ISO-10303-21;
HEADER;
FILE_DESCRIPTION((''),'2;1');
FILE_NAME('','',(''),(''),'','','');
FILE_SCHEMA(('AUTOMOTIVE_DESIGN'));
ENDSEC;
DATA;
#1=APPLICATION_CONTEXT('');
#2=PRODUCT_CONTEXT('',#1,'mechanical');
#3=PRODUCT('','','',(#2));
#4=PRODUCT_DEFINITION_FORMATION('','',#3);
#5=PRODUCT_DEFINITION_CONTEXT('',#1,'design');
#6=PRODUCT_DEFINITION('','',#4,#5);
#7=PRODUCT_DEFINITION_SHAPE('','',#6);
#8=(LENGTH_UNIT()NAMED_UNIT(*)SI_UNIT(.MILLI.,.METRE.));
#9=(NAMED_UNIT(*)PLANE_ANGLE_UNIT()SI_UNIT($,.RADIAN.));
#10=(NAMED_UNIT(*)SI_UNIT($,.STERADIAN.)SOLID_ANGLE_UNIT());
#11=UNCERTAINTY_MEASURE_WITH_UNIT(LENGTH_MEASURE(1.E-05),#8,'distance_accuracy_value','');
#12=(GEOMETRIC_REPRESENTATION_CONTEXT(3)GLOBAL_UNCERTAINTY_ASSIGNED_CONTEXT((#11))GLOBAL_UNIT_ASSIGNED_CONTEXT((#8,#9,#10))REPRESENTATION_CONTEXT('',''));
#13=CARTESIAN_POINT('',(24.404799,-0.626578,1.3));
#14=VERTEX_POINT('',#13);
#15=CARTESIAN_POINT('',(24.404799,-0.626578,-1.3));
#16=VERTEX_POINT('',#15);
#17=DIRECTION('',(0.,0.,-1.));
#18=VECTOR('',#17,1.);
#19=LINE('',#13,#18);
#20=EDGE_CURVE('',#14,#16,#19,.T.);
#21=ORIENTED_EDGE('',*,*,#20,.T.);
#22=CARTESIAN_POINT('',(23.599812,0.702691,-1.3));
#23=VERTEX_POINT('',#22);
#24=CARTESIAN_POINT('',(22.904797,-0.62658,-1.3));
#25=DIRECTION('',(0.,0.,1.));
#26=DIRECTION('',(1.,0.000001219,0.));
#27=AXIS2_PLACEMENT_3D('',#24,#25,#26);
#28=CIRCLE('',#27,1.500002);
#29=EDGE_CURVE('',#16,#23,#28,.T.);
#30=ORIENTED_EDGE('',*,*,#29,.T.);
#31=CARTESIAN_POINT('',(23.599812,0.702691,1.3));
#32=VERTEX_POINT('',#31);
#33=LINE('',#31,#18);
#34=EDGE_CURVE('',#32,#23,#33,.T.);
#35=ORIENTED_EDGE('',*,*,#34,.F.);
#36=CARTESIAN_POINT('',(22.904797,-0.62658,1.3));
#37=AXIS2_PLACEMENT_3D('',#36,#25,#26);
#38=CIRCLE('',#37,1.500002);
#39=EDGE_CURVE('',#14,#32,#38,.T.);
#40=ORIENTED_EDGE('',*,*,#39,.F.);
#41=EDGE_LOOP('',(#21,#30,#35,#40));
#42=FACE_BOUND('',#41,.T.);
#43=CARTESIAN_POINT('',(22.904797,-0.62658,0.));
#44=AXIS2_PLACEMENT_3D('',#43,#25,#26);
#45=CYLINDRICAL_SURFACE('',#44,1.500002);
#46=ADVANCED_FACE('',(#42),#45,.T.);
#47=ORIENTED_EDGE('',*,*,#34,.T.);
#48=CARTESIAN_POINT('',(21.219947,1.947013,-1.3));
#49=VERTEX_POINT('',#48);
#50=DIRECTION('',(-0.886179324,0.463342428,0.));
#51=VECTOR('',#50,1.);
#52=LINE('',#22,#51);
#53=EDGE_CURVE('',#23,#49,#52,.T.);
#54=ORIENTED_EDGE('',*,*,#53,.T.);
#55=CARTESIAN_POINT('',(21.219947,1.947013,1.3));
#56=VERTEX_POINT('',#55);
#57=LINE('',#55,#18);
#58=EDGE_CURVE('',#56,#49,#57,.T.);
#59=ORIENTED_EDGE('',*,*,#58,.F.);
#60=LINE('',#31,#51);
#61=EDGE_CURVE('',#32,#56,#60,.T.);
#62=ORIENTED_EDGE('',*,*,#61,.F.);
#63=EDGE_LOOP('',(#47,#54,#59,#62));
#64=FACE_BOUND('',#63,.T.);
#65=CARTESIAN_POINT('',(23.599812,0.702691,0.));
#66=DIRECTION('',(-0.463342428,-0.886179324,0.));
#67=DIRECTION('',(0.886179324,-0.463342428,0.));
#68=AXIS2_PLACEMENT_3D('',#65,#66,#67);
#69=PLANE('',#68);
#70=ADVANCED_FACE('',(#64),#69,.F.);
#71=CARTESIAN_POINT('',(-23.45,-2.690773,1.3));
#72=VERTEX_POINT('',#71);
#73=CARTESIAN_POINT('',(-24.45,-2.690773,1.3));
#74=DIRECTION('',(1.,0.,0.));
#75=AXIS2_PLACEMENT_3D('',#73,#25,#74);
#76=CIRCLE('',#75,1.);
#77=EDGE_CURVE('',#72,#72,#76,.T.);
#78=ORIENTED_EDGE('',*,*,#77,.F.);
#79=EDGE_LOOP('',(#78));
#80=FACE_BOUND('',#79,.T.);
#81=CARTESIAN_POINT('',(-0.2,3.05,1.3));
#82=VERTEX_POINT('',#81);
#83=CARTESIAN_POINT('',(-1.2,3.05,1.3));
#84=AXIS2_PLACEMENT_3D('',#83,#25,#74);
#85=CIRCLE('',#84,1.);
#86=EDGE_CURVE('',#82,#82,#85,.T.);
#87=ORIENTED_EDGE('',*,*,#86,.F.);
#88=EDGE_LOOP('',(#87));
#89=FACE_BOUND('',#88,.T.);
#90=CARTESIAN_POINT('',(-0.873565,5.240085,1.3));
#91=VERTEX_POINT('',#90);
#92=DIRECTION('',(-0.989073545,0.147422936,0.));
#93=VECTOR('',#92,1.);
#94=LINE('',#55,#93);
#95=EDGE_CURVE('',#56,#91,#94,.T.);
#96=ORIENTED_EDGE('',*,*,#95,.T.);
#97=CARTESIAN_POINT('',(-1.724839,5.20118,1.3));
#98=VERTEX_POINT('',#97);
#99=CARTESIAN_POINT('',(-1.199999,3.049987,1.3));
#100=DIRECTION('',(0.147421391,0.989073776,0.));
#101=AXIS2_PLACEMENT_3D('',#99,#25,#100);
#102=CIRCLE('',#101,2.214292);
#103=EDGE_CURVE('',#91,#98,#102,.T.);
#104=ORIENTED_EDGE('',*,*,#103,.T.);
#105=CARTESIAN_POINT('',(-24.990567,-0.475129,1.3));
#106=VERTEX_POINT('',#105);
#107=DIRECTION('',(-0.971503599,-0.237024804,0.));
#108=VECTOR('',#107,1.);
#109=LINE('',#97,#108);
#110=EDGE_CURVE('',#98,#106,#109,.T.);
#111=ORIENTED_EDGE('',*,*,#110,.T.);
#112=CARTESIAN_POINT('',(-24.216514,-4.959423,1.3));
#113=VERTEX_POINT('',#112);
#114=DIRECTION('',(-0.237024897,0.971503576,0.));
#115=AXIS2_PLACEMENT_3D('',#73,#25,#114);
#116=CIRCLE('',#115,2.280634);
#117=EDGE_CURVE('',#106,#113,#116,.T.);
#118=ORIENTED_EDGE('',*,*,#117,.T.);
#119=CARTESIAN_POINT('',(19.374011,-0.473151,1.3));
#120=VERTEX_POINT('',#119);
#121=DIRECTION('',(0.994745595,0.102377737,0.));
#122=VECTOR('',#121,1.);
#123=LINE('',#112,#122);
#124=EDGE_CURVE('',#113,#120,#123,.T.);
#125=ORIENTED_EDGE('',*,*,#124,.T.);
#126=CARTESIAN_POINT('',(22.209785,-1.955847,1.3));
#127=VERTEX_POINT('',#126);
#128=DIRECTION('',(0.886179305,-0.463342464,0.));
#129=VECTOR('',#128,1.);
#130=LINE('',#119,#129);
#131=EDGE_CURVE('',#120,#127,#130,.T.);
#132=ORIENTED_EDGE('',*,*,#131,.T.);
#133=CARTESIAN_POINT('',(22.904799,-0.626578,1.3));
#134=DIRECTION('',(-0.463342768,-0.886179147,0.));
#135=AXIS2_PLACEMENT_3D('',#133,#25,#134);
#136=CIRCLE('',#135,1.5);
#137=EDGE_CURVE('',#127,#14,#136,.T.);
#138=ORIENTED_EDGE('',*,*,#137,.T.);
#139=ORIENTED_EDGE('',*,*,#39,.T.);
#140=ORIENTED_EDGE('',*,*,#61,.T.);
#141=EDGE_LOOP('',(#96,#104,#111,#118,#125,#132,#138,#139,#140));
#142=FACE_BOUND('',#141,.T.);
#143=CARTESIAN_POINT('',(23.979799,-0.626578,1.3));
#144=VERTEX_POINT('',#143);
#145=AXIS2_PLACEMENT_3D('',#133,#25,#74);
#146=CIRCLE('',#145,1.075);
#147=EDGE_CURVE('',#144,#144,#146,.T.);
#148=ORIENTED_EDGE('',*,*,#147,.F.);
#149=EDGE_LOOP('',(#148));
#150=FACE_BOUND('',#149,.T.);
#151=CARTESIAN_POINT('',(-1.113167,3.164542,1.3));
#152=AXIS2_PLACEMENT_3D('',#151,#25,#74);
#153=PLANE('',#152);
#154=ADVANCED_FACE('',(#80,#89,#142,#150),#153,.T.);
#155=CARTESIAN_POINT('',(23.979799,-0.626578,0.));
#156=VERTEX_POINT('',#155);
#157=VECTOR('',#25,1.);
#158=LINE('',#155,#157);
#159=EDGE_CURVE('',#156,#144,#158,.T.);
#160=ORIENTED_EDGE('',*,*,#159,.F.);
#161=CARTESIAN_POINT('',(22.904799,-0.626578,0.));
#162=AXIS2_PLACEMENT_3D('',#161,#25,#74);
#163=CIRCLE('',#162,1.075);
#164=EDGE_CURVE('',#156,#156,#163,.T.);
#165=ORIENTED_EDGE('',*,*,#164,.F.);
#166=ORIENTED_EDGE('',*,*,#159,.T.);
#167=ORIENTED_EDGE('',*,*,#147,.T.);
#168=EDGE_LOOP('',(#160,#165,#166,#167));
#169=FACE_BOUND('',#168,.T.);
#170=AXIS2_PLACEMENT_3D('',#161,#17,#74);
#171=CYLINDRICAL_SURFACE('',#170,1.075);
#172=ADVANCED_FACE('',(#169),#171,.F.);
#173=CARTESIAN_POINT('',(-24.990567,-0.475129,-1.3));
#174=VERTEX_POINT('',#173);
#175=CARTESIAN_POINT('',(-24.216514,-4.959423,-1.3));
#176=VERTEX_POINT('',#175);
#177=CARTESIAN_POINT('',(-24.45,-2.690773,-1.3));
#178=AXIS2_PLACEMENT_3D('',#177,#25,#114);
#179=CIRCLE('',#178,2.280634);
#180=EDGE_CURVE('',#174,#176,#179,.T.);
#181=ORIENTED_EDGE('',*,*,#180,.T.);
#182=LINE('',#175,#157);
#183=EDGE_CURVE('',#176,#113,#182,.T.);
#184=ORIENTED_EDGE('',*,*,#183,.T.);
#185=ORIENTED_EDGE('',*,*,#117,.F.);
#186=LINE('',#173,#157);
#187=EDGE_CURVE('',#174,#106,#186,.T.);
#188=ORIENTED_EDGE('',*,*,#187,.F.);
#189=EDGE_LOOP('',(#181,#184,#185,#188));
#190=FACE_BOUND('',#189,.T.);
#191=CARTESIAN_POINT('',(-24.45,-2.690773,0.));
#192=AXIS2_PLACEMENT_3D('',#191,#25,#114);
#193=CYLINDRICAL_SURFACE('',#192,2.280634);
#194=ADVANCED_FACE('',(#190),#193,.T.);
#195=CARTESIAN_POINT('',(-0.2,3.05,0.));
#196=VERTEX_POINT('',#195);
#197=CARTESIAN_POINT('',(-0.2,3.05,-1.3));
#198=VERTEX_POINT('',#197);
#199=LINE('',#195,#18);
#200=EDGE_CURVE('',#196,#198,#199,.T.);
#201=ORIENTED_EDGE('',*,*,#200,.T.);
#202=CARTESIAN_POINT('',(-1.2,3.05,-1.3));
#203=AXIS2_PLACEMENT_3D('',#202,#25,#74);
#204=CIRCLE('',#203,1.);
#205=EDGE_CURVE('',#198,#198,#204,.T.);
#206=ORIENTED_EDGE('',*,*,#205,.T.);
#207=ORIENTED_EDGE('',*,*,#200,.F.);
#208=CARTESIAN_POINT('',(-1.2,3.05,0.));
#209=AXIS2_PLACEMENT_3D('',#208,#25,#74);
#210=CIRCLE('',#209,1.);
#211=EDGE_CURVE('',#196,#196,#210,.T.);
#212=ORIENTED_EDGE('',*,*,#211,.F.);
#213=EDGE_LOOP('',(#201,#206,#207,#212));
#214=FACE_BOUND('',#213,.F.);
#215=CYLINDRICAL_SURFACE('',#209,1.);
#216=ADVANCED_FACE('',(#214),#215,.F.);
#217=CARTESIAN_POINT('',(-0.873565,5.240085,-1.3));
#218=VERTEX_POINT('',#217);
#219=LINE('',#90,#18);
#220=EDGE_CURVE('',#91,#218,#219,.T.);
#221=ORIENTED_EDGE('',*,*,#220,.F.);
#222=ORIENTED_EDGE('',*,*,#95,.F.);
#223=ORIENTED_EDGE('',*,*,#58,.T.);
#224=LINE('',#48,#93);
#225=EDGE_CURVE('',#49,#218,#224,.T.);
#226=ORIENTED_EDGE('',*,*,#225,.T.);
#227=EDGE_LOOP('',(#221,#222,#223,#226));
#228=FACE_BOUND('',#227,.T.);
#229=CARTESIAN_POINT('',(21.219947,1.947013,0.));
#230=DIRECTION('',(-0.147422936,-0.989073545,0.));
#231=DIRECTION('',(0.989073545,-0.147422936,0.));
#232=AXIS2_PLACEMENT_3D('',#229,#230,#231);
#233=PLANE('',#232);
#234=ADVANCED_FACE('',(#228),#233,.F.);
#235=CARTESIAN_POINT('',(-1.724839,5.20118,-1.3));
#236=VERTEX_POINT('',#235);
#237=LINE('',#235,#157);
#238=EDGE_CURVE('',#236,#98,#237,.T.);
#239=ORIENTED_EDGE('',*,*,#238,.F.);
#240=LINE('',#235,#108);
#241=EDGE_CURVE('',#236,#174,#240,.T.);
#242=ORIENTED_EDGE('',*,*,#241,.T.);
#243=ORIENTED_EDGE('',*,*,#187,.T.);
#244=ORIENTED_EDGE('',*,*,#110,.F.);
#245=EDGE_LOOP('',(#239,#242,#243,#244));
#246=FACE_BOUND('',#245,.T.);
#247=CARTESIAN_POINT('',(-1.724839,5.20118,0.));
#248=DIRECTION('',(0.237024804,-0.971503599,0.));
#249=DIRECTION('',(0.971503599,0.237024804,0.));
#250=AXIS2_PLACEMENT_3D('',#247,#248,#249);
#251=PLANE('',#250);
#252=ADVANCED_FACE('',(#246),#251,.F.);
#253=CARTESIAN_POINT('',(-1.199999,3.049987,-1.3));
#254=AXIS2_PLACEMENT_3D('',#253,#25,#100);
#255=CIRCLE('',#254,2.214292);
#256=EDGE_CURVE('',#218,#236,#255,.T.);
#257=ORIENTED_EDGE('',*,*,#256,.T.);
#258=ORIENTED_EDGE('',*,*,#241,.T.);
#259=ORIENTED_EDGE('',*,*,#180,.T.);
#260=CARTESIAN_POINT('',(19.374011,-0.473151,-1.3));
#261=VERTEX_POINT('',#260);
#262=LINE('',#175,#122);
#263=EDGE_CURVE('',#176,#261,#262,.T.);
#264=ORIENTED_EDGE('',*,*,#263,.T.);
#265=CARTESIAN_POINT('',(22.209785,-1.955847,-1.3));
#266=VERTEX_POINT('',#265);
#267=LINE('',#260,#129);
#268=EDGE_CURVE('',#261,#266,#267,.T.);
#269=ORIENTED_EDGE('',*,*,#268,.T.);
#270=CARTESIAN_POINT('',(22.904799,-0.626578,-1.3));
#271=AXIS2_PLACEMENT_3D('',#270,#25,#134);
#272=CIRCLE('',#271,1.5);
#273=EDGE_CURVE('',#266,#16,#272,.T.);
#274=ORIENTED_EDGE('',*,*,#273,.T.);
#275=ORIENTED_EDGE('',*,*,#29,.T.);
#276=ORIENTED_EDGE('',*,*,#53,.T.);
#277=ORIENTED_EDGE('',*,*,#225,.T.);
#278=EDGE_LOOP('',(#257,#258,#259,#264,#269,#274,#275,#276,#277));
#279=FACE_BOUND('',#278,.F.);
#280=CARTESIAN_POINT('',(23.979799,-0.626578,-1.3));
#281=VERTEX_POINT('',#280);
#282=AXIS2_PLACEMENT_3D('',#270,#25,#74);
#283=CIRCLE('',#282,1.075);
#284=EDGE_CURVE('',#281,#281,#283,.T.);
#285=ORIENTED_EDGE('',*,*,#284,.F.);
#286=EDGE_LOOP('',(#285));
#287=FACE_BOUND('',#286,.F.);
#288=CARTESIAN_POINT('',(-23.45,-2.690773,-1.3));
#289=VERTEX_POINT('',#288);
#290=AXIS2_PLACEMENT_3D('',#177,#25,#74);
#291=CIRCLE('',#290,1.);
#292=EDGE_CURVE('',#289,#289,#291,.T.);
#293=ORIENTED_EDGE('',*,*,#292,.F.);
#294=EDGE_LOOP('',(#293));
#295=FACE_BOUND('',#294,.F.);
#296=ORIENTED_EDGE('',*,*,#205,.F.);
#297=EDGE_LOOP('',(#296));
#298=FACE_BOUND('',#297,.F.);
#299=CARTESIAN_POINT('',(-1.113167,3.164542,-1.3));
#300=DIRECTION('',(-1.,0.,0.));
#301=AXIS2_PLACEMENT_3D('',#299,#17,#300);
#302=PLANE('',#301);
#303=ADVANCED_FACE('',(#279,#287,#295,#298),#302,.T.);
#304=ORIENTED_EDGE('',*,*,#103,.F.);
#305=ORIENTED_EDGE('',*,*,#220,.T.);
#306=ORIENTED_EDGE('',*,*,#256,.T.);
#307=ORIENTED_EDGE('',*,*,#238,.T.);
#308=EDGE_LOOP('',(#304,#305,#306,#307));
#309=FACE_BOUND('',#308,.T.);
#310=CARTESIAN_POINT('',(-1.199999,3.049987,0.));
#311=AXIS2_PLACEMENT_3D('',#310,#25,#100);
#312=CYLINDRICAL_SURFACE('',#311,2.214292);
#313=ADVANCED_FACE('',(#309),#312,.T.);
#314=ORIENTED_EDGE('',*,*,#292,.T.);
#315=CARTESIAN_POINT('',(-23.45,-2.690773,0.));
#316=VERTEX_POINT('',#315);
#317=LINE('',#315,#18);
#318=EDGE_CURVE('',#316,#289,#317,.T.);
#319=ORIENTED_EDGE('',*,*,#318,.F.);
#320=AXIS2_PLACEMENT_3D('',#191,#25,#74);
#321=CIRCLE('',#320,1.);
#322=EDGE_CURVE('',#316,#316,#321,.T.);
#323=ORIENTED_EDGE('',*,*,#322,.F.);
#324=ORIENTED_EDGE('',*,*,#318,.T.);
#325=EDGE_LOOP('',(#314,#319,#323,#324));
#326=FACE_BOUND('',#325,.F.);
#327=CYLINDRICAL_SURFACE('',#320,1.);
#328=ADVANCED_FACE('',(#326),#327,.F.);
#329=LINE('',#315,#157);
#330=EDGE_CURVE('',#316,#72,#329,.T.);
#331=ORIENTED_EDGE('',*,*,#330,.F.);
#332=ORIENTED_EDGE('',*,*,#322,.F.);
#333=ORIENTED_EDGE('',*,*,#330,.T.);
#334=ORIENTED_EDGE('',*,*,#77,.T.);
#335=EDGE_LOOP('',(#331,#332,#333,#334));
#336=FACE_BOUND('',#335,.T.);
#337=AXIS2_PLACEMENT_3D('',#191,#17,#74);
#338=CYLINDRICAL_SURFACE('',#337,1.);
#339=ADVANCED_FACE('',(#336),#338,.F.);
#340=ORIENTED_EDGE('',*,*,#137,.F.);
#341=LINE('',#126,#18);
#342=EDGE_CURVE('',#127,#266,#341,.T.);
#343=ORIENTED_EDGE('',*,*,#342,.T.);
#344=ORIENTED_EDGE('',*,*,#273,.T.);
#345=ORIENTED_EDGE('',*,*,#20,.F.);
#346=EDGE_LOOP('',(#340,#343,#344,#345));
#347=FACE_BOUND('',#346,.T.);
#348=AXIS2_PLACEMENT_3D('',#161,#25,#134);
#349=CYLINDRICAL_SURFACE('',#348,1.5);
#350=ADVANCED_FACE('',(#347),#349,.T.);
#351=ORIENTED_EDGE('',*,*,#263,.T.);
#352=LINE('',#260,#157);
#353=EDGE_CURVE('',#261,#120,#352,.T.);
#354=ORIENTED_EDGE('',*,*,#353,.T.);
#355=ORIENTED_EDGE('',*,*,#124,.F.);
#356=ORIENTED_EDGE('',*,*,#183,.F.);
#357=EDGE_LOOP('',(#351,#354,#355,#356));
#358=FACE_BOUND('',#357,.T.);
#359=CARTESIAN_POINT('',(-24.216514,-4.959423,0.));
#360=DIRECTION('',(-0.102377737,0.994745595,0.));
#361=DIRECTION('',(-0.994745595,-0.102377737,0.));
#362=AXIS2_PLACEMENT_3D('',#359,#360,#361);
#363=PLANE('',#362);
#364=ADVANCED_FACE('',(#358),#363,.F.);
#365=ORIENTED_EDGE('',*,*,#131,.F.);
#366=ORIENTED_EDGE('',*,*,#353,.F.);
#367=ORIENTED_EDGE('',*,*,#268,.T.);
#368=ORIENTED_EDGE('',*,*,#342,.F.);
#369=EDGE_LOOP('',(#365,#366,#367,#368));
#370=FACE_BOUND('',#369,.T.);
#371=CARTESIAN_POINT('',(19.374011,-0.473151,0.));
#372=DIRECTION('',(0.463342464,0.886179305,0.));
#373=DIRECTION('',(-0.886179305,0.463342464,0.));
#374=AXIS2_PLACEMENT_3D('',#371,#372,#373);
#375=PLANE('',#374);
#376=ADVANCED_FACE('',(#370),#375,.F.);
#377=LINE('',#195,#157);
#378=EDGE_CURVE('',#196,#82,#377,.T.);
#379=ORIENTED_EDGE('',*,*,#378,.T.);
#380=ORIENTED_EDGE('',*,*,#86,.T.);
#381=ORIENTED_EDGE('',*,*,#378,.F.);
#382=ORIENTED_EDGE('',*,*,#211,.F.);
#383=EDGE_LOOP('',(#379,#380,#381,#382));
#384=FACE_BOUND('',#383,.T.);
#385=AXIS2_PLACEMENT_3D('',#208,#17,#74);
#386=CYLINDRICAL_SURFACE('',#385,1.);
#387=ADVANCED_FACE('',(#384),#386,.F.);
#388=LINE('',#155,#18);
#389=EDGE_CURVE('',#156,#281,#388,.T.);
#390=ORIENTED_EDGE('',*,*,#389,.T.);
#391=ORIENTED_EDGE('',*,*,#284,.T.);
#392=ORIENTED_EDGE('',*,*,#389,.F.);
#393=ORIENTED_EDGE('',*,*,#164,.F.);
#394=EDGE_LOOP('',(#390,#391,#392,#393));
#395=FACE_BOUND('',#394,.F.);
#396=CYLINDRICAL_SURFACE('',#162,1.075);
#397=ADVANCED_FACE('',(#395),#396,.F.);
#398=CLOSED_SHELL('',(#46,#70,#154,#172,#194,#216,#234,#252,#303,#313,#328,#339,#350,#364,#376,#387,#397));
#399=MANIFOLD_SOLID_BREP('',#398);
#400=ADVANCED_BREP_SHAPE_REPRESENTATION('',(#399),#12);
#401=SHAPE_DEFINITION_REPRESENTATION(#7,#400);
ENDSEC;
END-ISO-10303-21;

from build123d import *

# Parameters (mm, degrees)
F0_R     = 1
F0_R_2   = 1.075
F1_DEPTH = 1.3


with BuildPart() as f1:
    # F0 (on Top) → F1 (new body)
    with BuildSketch(Plane.XY):
        with BuildLine():
            ThreePointArc((-1.724839, 5.20118), (-2.567642, 1.308568), (1.014279, 3.05))
            ThreePointArc((1.014279, 3.05), (0.477178, 4.49572), (-0.873565, 5.240085))
            ThreePointArc((-0.873565, 5.240085), (-1.301091, 5.26197), (-1.724839, 5.20118))
        make_face()
        with Locations((-1.2, 3.05)):
            Circle(F0_R, mode=Mode.SUBTRACT)
        with BuildLine():
            ThreePointArc((-0.873565, 5.240085), (0.477178, 4.49572), (1.014279, 3.05))
            ThreePointArc((1.014279, 3.05), (-2.567642, 1.308568), (-1.724839, 5.20118))
            Line((-1.724839, 5.20118), (-24.990567, -0.475129))
            ThreePointArc((-24.990567, -0.475129), (-23.041374, -0.897155), (-22.169366, -2.690773))
            ThreePointArc((-22.169366, -2.690773), (-22.75681, -4.218646), (-24.216514, -4.959423))
            Line((-24.216514, -4.959423), (19.374011, -0.473151))
            Line((19.374011, -0.473151), (22.209785, -1.955847))
            ThreePointArc((22.209785, -1.955847), (21.57553, 0.068436), (23.599812, 0.702691))
            Line((23.599812, 0.702691), (21.219947, 1.947013))
            Line((21.219947, 1.947013), (-0.873565, 5.240085))
        make_face()
        with BuildLine():
            ThreePointArc((-22.169366, -2.690773), (-23.041374, -0.897155), (-24.990567, -0.475129))
            ThreePointArc((-24.990567, -0.475129), (-26.697398, -3.078706), (-24.216514, -4.959423))
            ThreePointArc((-24.216514, -4.959423), (-22.75681, -4.218646), (-22.169366, -2.690773))
        make_face()
        with Locations((-24.45, -2.690773)):
            Circle(F0_R, mode=Mode.SUBTRACT)
        with BuildLine():
            ThreePointArc((24.404799, -0.626578), (24.187865, 0.150429), (23.599812, 0.702691))
            ThreePointArc((23.599812, 0.702691), (21.57553, 0.068436), (22.209785, -1.955847))
            ThreePointArc((22.209785, -1.955847), (23.681806, -1.909645), (24.404799, -0.626578))
        make_face()
        with Locations((22.904799, -0.626578)):
            Circle(F0_R_2, mode=Mode.SUBTRACT)
    extrude(amount=F1_DEPTH)

    # F2: F1 across plane


with BuildPart() as f1_1:
    add(f1.part)
    add(f1.part.mirror(Plane.XY))


solid = f1_1.part
